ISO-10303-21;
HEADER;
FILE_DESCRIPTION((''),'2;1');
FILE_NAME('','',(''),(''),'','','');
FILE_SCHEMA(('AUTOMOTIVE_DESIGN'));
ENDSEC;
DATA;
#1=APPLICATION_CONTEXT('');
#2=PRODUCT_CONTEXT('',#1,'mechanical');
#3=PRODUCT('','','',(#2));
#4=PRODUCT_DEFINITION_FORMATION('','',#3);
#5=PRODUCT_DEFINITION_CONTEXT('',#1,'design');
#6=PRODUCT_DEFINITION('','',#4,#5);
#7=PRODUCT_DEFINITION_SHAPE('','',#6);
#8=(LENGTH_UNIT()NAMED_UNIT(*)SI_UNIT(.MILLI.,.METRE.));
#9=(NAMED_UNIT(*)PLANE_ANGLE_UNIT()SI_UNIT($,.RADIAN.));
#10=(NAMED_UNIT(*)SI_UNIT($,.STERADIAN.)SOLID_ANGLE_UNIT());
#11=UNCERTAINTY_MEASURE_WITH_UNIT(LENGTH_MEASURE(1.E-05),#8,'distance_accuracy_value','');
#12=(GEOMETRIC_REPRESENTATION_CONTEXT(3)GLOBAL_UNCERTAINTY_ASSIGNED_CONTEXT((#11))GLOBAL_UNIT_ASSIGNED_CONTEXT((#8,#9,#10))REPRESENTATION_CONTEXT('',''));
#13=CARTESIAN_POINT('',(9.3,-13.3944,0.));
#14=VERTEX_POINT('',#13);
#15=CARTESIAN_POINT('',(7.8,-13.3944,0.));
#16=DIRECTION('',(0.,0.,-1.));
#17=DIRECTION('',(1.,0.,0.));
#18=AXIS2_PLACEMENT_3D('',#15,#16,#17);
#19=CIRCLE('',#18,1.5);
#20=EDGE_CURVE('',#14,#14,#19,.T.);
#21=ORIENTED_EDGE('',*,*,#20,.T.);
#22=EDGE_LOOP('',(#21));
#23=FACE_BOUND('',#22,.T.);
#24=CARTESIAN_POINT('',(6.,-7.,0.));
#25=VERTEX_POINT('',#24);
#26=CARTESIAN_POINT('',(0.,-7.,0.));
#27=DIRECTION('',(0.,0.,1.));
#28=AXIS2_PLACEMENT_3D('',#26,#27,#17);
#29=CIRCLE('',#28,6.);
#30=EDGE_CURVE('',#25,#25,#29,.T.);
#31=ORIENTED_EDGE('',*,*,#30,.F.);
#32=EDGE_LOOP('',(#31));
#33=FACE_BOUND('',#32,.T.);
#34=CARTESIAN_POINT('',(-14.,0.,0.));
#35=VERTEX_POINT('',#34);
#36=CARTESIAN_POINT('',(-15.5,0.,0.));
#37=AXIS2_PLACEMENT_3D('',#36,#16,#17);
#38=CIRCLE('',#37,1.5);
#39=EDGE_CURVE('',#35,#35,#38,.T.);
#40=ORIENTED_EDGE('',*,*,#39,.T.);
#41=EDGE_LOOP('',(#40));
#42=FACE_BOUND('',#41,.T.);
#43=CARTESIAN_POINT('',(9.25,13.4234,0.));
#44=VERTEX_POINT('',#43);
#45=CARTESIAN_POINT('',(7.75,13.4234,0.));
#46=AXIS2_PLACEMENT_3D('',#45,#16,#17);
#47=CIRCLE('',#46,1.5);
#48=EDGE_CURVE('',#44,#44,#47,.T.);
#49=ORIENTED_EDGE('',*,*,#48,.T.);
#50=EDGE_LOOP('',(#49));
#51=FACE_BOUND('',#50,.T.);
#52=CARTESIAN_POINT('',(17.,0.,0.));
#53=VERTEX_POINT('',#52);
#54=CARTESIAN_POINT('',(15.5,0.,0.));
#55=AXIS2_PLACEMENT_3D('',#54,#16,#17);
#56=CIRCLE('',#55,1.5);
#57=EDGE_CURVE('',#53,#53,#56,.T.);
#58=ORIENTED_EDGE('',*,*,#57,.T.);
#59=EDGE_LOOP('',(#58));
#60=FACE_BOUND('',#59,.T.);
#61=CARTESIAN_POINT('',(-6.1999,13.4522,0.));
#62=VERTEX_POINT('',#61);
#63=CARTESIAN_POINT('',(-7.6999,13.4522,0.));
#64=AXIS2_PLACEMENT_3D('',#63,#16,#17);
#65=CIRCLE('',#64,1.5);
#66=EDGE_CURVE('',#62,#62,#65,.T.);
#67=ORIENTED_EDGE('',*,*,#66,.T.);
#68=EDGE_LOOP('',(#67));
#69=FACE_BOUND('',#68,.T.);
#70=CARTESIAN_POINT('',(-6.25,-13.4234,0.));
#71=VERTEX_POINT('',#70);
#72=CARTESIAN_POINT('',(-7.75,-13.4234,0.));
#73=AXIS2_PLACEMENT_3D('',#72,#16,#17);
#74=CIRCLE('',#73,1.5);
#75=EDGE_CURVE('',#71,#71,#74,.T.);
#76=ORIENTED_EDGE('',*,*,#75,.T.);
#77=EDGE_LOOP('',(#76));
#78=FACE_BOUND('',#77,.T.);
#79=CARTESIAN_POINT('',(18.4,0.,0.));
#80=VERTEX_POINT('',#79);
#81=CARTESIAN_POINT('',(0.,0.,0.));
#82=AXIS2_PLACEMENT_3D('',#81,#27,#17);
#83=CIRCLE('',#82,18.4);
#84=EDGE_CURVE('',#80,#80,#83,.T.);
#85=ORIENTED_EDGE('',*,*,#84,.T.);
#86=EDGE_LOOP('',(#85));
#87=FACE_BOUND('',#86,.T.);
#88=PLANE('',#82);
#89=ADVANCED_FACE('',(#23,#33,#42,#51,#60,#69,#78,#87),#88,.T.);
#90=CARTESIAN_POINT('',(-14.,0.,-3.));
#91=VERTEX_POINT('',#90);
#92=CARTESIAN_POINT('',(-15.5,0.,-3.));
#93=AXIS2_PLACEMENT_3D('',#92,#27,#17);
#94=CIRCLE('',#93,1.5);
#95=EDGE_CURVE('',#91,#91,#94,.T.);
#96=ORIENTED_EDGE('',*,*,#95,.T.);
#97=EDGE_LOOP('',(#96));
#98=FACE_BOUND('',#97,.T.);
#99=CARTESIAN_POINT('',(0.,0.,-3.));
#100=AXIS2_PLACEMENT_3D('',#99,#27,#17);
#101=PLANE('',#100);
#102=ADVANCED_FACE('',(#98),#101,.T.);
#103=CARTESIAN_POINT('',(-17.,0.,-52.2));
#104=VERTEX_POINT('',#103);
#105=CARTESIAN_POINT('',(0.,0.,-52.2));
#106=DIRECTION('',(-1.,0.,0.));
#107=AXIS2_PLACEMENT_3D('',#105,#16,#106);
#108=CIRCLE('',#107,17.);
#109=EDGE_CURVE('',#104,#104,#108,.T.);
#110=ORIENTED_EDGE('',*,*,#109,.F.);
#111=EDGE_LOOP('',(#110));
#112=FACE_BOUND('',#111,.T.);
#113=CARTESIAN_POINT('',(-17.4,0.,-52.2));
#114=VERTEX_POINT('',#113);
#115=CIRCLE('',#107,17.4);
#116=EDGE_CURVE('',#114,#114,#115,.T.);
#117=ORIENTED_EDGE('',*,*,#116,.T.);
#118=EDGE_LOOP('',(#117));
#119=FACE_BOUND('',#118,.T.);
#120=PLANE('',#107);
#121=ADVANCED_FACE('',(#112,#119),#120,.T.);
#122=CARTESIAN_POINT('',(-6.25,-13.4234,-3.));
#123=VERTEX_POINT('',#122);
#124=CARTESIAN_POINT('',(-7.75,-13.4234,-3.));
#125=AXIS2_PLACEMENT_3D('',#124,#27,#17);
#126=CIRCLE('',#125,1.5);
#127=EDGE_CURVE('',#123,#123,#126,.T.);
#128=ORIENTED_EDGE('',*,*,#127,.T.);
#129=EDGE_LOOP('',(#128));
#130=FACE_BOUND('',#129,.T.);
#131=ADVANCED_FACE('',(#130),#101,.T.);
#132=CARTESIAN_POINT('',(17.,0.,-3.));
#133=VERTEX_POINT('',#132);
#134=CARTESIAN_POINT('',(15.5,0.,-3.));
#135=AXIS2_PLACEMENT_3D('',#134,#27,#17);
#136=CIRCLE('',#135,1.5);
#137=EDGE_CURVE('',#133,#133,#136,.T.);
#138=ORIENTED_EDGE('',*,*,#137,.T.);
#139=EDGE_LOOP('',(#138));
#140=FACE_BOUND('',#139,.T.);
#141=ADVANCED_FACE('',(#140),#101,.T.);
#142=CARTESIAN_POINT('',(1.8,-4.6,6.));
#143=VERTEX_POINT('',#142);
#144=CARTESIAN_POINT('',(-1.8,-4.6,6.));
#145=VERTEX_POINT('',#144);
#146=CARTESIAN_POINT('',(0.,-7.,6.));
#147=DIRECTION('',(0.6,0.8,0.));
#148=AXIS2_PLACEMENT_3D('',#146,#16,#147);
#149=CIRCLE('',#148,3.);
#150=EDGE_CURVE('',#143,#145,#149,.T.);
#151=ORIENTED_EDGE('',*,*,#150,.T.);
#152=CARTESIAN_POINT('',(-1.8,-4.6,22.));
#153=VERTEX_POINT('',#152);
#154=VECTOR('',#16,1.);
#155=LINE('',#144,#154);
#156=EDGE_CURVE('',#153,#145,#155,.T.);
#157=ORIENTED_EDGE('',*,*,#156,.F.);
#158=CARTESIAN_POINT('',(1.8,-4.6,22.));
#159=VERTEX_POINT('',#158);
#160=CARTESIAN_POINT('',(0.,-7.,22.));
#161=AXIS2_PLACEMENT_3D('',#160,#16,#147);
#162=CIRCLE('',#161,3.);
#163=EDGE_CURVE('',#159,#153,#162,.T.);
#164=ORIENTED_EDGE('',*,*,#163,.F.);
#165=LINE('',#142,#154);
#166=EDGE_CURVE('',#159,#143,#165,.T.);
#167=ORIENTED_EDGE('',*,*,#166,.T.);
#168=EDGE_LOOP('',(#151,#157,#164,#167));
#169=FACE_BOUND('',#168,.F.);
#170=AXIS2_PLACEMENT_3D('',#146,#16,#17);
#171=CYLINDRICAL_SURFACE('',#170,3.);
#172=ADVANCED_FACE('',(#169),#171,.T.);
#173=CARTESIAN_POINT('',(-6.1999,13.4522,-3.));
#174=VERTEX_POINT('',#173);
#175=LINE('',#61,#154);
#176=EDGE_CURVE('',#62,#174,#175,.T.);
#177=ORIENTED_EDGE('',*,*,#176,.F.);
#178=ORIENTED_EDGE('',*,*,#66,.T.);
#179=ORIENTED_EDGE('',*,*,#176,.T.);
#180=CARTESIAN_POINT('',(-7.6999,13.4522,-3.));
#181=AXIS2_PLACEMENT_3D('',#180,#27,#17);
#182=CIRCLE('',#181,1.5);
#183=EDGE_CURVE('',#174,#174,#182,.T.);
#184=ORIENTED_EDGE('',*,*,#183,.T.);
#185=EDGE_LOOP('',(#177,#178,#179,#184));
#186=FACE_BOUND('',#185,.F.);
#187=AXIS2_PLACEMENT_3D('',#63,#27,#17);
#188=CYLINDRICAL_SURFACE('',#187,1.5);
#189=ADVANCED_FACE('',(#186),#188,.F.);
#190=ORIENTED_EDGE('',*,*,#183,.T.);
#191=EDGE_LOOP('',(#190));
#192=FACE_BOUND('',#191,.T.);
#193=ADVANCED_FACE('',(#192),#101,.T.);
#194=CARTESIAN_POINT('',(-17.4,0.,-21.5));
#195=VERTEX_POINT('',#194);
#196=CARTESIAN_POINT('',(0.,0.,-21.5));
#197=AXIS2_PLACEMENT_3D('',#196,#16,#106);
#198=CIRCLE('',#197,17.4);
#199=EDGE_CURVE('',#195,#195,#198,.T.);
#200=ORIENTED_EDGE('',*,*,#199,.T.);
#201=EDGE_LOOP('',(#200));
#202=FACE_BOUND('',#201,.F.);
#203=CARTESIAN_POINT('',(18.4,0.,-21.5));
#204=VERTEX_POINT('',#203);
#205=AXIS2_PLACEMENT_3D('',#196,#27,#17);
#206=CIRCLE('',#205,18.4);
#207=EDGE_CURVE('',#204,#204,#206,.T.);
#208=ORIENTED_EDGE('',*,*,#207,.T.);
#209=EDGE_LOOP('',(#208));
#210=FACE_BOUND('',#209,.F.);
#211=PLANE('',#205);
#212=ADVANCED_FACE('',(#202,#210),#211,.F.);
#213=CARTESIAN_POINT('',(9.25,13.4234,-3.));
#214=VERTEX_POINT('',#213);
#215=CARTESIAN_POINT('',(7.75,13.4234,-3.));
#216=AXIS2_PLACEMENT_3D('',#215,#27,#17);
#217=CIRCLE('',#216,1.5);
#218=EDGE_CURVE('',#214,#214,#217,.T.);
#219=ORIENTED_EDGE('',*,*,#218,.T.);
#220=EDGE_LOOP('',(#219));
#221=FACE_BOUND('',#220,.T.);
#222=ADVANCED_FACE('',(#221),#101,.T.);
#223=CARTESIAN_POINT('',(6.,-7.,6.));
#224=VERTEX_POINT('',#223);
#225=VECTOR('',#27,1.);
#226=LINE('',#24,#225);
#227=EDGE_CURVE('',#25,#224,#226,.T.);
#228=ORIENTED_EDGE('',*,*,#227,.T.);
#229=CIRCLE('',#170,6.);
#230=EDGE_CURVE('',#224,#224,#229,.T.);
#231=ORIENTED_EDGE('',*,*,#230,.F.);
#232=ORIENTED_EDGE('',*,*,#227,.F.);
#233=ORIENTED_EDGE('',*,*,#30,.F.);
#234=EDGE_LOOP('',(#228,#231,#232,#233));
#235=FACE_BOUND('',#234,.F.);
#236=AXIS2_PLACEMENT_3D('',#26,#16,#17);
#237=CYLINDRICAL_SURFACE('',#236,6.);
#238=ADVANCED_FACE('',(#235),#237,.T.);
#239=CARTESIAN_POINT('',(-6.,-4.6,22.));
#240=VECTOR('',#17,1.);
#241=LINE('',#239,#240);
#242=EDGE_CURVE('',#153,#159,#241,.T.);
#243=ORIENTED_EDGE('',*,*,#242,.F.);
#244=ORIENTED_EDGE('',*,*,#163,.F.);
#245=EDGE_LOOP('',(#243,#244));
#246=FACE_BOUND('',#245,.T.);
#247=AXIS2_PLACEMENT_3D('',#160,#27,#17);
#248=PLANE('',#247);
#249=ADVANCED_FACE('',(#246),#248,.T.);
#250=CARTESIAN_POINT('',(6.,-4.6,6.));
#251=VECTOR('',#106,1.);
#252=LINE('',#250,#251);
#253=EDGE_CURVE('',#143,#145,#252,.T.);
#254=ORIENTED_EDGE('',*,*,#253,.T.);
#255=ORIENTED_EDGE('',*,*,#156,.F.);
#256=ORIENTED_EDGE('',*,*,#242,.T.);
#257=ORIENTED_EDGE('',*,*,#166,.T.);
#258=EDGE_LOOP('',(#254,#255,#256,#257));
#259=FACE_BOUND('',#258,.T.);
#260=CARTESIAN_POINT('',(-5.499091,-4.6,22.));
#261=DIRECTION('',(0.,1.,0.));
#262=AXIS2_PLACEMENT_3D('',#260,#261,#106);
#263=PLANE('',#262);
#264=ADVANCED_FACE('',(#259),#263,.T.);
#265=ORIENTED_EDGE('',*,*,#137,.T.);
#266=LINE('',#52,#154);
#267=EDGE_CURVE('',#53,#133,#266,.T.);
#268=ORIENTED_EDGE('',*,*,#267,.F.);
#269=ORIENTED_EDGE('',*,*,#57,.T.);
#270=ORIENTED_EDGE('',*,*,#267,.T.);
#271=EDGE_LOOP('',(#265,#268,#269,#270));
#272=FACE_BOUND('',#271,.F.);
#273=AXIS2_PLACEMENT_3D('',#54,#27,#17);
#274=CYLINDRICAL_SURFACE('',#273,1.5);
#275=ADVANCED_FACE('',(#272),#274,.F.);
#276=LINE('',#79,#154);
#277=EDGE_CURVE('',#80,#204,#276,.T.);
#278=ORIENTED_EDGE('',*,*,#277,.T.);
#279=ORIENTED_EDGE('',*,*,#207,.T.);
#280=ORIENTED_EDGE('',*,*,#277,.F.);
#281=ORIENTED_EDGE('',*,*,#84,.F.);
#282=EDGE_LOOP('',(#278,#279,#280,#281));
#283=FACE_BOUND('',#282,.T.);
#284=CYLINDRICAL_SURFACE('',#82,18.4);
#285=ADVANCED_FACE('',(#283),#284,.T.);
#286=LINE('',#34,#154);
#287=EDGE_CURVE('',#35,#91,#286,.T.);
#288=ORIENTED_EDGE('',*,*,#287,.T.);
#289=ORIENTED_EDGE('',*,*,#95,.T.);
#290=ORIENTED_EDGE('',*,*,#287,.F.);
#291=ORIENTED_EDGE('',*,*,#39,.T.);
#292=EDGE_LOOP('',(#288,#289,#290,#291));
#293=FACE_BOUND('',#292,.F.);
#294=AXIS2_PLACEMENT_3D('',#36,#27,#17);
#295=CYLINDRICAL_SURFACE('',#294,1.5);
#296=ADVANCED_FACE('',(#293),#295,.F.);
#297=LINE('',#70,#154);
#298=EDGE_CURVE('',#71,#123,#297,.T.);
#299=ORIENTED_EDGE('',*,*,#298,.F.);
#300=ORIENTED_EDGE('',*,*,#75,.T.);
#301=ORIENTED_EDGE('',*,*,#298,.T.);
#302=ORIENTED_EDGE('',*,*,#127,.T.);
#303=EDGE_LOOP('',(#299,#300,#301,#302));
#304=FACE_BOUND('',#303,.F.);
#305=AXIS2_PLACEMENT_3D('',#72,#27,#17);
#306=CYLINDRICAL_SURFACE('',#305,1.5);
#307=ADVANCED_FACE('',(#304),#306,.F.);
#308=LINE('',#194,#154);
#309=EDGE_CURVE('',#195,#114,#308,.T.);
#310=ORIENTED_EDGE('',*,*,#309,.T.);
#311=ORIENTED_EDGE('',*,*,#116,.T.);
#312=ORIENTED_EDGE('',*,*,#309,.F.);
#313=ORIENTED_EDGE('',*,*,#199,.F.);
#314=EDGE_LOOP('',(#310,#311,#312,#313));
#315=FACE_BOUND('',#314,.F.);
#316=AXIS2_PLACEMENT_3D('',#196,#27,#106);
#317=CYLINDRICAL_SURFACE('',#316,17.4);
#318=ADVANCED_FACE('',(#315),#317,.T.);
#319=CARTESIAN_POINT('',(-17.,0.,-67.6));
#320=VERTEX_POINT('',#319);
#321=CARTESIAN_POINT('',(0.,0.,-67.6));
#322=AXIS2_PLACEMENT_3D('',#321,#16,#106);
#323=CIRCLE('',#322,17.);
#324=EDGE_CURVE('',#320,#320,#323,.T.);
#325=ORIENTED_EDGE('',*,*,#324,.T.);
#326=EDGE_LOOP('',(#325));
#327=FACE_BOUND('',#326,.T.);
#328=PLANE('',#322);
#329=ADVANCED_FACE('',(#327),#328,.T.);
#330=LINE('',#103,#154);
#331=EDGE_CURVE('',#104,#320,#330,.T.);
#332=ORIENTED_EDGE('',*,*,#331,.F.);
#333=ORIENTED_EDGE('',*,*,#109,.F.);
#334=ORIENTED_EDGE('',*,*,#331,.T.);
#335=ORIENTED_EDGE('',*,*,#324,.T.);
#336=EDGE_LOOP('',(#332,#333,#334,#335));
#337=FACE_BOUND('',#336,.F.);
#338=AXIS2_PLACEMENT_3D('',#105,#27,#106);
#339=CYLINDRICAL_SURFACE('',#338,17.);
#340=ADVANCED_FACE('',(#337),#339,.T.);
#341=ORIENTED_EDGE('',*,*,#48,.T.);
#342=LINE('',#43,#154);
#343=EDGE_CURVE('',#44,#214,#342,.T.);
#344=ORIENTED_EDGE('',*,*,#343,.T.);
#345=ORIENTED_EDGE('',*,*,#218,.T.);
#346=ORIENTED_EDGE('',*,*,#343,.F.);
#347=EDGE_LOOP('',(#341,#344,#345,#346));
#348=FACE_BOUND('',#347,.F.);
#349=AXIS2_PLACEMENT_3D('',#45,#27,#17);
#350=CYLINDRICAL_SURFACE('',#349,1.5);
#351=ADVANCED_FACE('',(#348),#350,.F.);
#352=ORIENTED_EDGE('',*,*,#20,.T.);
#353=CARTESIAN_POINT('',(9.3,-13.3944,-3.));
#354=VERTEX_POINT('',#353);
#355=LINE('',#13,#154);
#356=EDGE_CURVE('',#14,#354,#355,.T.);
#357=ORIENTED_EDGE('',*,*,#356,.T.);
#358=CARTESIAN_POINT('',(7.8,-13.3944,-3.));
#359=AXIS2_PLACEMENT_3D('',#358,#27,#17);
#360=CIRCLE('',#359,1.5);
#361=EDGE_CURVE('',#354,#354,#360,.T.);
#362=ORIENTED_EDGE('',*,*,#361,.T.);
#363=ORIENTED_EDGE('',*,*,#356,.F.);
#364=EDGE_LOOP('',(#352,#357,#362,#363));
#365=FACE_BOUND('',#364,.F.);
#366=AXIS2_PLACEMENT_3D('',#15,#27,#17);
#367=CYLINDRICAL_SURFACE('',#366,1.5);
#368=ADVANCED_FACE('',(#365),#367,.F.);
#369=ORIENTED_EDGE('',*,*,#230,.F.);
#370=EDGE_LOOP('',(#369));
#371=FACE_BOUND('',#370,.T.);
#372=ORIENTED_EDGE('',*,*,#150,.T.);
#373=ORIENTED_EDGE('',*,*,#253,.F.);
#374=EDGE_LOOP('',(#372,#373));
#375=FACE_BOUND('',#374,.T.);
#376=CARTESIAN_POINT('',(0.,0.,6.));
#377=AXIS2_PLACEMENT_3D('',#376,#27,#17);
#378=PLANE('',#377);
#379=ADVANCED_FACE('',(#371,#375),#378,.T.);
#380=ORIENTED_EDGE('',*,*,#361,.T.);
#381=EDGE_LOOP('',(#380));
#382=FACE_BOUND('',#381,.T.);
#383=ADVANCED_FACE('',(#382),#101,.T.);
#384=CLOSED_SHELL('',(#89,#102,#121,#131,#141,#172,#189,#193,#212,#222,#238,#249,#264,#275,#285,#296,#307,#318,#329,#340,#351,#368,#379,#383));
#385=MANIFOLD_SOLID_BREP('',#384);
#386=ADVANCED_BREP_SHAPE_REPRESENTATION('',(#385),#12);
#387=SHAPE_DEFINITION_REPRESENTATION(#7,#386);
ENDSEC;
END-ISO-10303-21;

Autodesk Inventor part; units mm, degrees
ref_plane "YZ Plane" through (0, 0, 0) normal (1, 0, 0) x (0, 1, 0)
ref_plane "XZ Plane" through (0, 0, 0) normal (0, 1, 0) x (-1, 0, 0)
ref_plane "XY Plane" through (0, 0, 0) normal (0, 0, 1) x (1, 0, 0)
sketch "Sketch1" plane through (0, 0, 0) normal (0, 0, 1) x (1, 0, 0)
  point P0 (0, 0)
sketch "Sketch2" plane through (0, 0, 0) normal (0, 0, 1) x (1, 0, 0)
  circle A0 centre (0, 0) radius 18.4
  dimension "d0" = 36.8
extrude "Extrusion1" add sketch "Sketch2" against normal blind 21.5
sketch "Sketch3" plane through (0, 0, -21.5) normal (0, 0, -1) x (-1, 0, 0)
  circle A0 centre (0, 0) radius 17.4
  dimension "d3" = 34.8
extrude "Extrusion2" add sketch "Sketch3" along normal blind 30.7
sketch "Sketch4" plane through (0, 0, -52.2) normal (0, 0, -1) x (-1, 0, 0)
  circle A0 centre (0, 0) radius 17
  dimension "d6" = 34
extrude "Extrusion3" add sketch "Sketch4" along normal blind 15.4
sketch "Sketch5" plane through (0, 0, 0) normal (0, 0, 1) x (1, 0, 0)
  circle A0 centre (-15.5, 0) radius 1.5
  circle A1 centre (0, 0) radius 18.4 projected
  line L0 (-18.4, 0) -> (18.4, 0)
  line L1 (-1.5961, -18.3306) -> (-1.5961, -18.3306)
  line L2 (0, 18.4) -> (0, -18.4)
  circle A2 centre (0, -7) radius 6
  circle A3 centre (15.5, 0) radius 1.5
  circle A4 centre (0, 0) radius 15.5
  line L3 (-11.863, 20.6629) -> (9.25, -15.9059)
  circle A5 centre (0, 0) radius 18.4 projected
  line L4 (-9.2, -15.9349) -> (9.2, 15.9349)
  circle A6 centre (7.8, -13.3944) radius 1.5
  circle A7 centre (7.75, 13.4234) radius 1.5
  circle A8 centre (-7.75, -13.4234) radius 1.5
  circle A9 centre (-7.6999, 13.4522) radius 1.5
  point P0 (7.75, 13.4234)
  point P1 (7.8, -13.3944)
  dimension "d10" = 3
  dimension "d11" = 12
  dimension "d12" = 7
  dimension "d15" = 3
  dimension "d16" = 31
  dimension "d17" = 2.9
  dimension "d19" = 60
  dimension "d20" = 60
  dimension "d21" = 3
  dimension "d22" = 3
  dimension "d23" = 3
  dimension "d24" = 3
extrude "Extrusion4" add sketch "Sketch5" along normal blind 6 contours A2 L3 L2 | L2 A2 L4 | L4 A2 | A2 L3 picked at (-1.9225, -8.5027)
extrude "Extrusion5" cut sketch "Sketch5" against normal blind 3 contours L0 A4 A0 | A0 A4 L0 | A4 L0 A0 | A0 L0 A4 | A9 L3 A4 | A4 L3 A9 | A8 L4 A4 | A4 L4 A8 | L3 A9 A4 | A4 A9 L3 | L4 A8 A4 | A4 A8 L4 | A3 A4 L0 | L0 A4 A3 | A7 A4 L4 | L4 A4 A7 | A4 A3 L0 | L0 A3 A4 | A7 L4 A4 | L4 A7 A4 | A6 L3 A4 | A4 L3 A6 | L3 A4 A6 | A4 L3 A6
sketch "Sketch6" plane through (0, -7, 6) normal (0, 0, 1) x (1, 0, 0)
  circle A0 centre (0, 0) radius 6 projected
  circle A1 centre (0, 0) radius 3
  point P0 (0, 7)
  dimension "d27" = 6
extrude "Extrusion6" add sketch "Sketch6" along normal blind 16 contours A1
sketch "Sketch7" plane through (0, -7, 22) normal (0, 0, 1) x (1, 0, 0)
  line L0 (-6, 3) -> (6, 3)
  line L1 (6, 3) -> (6, 2.4)
  line L2 (6, 2.4) -> (-6, 2.4)
  line L3 (-6, 2.4) -> (-6, 3)
  circle A0 centre (0, 0) radius 6 projected
  circle A1 centre (0, 0) radius 3 projected
  circle A2 centre (0, 0) radius 3 projected
  line L4 (0, 3) -> (0, -3)
  point P0 (0, 7)
  dimension "d30" = 0.6
extrude "Extrusion7" cut sketch "Sketch7" against normal up to surface (16 mm away) contours L0 A0 L2 L3 | L0 A1 L2 A0 | L0 A0 L2 A1 | L4 L2 A1 | A1 L2 L4 | L0 L1 L2 A0 picked at (-1.016, 2.5094) picked at (1.016, 2.5094)
properties part number "Motor"
